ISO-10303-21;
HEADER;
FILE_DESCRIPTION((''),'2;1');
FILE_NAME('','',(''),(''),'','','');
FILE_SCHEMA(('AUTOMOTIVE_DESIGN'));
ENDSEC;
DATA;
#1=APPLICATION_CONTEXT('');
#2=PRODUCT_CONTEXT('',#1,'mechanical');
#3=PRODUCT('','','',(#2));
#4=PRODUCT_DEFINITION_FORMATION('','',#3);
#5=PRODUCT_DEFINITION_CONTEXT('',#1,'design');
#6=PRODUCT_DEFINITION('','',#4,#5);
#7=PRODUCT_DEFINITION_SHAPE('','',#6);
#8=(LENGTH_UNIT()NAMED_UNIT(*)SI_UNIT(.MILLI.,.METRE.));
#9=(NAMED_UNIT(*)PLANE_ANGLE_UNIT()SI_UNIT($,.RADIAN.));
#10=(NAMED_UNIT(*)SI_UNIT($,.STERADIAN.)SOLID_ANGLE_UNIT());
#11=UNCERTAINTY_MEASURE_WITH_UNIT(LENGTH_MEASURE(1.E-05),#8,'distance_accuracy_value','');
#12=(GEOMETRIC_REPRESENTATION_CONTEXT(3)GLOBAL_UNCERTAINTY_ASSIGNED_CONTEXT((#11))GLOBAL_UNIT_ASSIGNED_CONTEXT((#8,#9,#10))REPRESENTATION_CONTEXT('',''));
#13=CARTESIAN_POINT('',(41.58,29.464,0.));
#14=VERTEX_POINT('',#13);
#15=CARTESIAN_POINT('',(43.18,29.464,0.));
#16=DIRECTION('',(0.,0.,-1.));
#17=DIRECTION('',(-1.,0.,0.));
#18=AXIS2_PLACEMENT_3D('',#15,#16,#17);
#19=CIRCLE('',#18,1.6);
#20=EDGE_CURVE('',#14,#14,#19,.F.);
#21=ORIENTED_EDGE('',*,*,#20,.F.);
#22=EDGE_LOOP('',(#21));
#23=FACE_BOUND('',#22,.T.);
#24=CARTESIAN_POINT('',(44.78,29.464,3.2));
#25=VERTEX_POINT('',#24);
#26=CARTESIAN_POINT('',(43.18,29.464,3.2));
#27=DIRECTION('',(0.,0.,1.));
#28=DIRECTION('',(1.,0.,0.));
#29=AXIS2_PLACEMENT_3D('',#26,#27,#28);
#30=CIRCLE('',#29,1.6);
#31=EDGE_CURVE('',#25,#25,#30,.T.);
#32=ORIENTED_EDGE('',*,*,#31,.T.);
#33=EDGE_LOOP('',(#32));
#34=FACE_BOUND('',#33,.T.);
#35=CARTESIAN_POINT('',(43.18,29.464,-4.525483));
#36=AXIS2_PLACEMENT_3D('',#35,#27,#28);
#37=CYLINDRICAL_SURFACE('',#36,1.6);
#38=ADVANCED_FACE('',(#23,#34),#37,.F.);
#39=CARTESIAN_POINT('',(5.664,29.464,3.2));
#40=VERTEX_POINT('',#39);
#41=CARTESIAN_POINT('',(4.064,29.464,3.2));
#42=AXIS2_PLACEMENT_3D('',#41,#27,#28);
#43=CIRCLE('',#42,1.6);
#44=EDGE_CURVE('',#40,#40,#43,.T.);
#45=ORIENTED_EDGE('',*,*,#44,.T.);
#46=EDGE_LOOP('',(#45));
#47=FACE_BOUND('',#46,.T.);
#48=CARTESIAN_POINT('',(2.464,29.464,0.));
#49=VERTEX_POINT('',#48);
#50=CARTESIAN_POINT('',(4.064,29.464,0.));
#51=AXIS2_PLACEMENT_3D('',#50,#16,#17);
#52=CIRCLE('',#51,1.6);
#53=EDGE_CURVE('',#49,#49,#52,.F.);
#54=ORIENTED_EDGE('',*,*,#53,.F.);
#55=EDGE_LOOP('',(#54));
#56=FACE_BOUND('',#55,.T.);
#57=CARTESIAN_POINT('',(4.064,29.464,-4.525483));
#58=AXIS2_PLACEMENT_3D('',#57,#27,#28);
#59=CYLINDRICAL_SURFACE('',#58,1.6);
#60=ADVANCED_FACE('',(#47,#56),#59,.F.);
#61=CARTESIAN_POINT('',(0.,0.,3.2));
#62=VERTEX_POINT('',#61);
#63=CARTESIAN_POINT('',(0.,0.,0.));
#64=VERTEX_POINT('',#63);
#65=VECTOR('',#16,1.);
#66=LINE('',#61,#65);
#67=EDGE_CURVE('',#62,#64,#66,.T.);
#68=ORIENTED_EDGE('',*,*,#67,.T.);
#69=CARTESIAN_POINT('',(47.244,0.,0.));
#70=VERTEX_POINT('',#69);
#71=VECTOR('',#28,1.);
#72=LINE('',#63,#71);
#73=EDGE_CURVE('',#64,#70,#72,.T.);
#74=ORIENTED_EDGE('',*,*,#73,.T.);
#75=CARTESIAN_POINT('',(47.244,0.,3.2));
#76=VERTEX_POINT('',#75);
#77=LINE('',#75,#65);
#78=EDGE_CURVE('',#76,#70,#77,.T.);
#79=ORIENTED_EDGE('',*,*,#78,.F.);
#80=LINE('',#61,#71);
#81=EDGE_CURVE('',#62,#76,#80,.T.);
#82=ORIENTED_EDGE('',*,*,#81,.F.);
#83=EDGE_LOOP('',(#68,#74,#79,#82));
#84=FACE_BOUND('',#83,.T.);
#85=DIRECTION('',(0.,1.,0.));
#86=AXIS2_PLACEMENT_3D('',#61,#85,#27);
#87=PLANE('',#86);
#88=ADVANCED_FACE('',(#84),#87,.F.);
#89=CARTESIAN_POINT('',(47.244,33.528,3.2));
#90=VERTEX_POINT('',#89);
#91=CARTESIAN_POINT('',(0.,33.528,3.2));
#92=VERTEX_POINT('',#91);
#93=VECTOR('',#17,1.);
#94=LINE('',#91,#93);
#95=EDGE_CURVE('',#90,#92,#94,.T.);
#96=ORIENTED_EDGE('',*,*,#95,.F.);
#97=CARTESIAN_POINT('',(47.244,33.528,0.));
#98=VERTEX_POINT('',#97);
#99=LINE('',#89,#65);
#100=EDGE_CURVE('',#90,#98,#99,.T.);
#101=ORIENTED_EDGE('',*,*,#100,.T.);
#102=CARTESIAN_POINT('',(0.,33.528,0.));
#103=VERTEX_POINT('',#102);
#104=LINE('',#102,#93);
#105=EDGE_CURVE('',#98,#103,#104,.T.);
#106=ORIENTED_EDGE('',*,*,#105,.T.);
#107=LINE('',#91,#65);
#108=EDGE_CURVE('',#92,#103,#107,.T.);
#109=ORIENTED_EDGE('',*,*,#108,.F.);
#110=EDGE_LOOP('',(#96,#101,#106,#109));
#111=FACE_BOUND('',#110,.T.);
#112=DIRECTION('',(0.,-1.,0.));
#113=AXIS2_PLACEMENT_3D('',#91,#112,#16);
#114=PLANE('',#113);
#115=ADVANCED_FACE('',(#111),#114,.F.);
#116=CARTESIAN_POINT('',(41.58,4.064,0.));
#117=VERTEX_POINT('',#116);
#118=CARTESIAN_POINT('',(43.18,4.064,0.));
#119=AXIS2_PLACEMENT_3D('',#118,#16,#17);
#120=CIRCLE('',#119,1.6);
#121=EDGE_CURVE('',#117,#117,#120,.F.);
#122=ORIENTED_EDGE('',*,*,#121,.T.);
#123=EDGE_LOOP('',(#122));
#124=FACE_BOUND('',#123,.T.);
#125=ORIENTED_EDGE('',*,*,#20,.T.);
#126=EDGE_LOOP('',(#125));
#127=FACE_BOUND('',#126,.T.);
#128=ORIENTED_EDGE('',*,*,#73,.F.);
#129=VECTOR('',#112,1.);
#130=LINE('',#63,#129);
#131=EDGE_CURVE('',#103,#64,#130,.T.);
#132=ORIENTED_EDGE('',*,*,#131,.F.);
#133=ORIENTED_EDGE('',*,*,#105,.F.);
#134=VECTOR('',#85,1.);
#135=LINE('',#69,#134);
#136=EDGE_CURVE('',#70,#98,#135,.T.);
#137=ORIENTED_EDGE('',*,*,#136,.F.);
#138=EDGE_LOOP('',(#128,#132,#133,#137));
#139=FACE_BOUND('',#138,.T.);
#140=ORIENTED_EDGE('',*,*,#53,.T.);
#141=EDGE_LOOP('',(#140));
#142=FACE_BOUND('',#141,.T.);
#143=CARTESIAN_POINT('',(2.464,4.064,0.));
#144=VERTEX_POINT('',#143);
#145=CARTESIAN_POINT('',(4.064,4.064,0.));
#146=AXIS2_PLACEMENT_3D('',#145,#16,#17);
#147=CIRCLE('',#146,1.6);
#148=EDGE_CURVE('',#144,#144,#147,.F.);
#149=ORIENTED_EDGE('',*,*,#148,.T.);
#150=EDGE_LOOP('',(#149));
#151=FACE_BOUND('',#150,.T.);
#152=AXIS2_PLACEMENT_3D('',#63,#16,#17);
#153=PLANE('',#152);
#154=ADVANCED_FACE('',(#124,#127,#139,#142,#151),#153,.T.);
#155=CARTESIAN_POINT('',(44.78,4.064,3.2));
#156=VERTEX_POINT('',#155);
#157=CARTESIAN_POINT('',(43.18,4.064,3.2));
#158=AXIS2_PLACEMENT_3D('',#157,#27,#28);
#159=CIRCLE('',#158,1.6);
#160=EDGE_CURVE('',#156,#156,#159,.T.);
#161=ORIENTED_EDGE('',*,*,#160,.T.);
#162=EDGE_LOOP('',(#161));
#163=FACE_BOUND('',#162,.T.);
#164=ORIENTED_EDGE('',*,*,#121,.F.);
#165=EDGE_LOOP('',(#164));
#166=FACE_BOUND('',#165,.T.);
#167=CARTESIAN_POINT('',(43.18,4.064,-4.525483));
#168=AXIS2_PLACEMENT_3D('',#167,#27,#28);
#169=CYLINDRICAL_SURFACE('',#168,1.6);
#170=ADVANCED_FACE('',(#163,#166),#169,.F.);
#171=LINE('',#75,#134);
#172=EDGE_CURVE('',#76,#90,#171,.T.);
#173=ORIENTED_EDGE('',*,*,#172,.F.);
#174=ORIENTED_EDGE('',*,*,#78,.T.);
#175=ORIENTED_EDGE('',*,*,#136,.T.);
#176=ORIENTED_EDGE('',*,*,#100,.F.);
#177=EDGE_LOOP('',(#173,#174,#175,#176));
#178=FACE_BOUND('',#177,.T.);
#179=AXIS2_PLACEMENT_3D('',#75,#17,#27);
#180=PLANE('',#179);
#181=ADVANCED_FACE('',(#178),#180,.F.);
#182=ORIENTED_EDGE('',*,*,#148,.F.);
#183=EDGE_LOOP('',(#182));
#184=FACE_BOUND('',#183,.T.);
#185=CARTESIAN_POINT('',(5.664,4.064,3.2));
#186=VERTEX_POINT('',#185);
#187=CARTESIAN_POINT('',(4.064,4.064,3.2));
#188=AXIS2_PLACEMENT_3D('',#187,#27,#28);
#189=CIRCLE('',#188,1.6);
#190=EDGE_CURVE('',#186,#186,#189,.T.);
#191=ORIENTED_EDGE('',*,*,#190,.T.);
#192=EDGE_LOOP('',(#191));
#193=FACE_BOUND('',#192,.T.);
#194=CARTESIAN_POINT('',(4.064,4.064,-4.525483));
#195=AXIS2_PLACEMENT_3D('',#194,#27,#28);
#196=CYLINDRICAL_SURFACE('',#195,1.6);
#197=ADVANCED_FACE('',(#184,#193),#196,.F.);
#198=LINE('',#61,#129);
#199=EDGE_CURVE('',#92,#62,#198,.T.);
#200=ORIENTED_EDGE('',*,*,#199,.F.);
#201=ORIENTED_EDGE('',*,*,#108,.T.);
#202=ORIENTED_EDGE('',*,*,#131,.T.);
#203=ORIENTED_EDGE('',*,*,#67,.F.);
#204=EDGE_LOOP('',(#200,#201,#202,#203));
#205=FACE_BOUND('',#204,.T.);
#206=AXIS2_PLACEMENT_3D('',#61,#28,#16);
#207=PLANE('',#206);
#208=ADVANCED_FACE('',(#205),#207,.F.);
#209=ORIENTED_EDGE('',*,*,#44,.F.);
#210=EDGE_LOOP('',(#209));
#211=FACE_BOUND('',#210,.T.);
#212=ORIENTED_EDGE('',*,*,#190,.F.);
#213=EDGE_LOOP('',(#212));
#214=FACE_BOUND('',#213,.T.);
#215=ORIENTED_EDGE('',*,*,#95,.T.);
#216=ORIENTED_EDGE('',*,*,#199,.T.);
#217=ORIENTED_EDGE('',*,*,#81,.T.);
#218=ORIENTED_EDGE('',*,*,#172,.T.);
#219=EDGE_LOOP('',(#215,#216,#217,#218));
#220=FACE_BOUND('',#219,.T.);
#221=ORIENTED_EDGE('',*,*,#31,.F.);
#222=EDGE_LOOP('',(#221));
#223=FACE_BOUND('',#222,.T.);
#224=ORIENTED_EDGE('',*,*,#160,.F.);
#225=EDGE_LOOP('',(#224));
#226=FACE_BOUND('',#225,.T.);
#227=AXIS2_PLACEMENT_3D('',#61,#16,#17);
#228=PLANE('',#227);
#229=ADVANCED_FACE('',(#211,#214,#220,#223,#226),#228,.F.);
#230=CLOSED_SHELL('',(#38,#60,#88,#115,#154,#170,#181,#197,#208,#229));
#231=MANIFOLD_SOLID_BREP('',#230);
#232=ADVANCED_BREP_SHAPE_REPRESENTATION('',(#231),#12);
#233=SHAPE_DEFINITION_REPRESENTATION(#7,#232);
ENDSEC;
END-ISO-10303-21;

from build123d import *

# Parameters (mm, degrees)
ESQUISSE1_W             = 47.244
ESQUISSE1_H             = 33.528
BOSS_EXTRU_1_DEPTH      = 3.2
ESQUISSE2_R             = 1.6
ENL_V_MAT_EXTRU_1_DEPTH = 3.2


with BuildPart() as part:
    # Esquisse1 → Boss.-Extru.1 (new body)
    with BuildSketch(Plane.XY):
        with Locations((23.622, 16.764)):
            Rectangle(ESQUISSE1_W, ESQUISSE1_H)
    extrude(amount=BOSS_EXTRU_1_DEPTH)

    # Esquisse2 → Enlèv. mat.-Extru.1 (cut)
    with BuildSketch(Plane.XY.offset(3.2)):
        with Locations((4.064, 29.464)):
            Circle(ESQUISSE2_R)
        with Locations((43.18, 29.464)):
            Circle(ESQUISSE2_R)
        with Locations((43.18, 4.064)):
            Circle(ESQUISSE2_R)
        with Locations((4.064, 4.064)):
            Circle(ESQUISSE2_R)
    extrude(amount=-ENL_V_MAT_EXTRU_1_DEPTH, mode=Mode.SUBTRACT)


solid = part.part
